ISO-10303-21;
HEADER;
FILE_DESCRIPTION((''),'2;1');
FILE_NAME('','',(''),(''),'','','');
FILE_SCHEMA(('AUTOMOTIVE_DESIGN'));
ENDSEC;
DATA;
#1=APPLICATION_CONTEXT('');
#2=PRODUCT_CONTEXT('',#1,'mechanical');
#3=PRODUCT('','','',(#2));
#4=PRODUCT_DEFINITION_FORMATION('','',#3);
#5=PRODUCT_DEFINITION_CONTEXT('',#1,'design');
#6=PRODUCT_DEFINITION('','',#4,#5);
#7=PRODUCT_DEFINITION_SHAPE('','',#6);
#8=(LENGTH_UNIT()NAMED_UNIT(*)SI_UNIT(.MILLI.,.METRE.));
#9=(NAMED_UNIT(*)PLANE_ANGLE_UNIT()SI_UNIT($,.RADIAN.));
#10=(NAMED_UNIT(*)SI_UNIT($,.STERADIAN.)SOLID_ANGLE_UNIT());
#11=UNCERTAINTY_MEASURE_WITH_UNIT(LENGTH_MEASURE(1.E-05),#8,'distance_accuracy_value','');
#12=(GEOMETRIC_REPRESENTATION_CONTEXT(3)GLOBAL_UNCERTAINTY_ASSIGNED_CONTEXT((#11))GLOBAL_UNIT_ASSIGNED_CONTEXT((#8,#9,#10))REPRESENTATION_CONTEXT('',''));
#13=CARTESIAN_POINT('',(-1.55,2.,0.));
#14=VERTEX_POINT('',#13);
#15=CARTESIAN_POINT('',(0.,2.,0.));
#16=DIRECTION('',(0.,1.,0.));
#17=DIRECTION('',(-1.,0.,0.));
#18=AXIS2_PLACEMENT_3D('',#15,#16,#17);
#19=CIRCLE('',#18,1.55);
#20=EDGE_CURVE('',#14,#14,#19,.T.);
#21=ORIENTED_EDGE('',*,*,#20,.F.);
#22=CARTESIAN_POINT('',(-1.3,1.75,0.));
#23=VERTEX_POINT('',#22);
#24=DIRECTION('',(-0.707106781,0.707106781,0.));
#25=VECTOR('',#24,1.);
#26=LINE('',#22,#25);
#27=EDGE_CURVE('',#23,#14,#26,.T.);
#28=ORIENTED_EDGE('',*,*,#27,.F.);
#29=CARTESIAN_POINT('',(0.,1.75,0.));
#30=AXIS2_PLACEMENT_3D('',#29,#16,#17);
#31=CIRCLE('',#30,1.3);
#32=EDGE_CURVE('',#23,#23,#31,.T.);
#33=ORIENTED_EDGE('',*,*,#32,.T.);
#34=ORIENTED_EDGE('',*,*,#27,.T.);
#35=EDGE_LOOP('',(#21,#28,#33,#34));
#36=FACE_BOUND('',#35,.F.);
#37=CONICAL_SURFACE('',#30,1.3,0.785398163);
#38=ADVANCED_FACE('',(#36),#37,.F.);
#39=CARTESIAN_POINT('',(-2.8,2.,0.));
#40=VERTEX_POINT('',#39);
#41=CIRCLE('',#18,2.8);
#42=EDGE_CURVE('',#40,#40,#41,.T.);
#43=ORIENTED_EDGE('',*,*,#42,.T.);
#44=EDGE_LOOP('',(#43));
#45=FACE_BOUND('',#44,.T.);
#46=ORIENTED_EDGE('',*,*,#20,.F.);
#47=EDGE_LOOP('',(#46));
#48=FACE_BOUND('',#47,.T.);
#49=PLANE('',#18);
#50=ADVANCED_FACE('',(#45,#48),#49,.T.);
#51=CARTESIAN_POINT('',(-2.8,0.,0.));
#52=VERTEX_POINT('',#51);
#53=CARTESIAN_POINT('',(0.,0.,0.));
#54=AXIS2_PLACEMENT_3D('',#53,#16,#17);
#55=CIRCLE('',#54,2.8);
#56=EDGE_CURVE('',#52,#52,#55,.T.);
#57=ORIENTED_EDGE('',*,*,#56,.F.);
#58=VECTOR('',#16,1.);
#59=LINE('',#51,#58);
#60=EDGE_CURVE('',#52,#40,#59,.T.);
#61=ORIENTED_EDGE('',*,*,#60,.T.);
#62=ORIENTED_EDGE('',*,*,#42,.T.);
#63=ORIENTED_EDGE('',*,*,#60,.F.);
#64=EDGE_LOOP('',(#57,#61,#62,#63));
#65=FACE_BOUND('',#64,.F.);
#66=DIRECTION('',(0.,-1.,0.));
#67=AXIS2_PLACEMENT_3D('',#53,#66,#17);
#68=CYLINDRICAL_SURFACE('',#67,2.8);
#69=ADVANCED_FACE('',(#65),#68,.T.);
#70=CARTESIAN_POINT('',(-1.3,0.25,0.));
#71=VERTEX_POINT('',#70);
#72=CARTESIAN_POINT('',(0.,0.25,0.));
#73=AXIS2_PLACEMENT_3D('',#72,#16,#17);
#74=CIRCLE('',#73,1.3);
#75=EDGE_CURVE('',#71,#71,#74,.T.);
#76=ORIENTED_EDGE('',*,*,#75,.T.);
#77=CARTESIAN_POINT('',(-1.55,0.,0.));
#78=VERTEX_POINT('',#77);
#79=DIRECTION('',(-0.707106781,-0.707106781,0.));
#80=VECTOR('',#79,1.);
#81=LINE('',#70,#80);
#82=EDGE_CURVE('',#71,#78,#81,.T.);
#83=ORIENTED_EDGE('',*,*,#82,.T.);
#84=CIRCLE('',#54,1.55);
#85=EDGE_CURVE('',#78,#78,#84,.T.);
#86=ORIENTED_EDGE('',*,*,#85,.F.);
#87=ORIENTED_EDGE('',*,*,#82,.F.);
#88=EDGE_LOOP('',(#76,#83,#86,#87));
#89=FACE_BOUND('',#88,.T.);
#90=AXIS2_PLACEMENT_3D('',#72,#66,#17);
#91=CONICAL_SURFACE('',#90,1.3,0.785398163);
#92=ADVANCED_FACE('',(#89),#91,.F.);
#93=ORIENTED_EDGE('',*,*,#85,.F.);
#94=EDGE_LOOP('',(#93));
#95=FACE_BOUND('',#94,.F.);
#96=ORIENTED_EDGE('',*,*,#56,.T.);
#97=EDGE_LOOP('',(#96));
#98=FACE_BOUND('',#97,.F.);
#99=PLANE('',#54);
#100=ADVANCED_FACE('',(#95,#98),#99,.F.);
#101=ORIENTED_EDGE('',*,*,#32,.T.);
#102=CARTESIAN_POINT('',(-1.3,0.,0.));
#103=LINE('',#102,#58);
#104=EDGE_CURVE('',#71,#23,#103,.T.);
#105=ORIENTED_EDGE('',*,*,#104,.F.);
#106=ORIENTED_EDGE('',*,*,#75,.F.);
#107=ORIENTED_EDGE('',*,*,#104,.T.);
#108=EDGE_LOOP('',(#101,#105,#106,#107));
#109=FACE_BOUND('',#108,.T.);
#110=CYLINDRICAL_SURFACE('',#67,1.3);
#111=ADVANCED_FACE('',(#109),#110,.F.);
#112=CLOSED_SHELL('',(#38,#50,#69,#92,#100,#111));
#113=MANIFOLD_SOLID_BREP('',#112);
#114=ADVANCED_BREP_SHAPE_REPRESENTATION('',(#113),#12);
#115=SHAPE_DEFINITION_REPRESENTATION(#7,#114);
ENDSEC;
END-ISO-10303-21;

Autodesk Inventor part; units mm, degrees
ref_plane "YZ Plane" through (0, 0, 0) normal (1, 0, 0) x (0, 1, 0)
ref_plane "XZ Plane" through (0, 0, 0) normal (0, 1, 0) x (-1, 0, 0)
ref_plane "XY Plane" through (0, 0, 0) normal (0, 0, 1) x (1, 0, 0)
sketch "Sketch1" plane through (0, 0, 0) normal (0, 1, 0) x (-1, 0, 0)
  circle A0 centre (0, 0) radius 1.3
  circle A1 centre (0, 0) radius 2.8
  dimension "d0" = 2.6
  dimension "d1" = 1.5
extrude "Extrusion1" add sketch "Sketch1" along normal blind 2
chamfer "Chamfer1" distance 0.25 angle 45 2 edges at (1.3, 2, 0) (1.3, 0, 0)
properties part number "Spacer"
